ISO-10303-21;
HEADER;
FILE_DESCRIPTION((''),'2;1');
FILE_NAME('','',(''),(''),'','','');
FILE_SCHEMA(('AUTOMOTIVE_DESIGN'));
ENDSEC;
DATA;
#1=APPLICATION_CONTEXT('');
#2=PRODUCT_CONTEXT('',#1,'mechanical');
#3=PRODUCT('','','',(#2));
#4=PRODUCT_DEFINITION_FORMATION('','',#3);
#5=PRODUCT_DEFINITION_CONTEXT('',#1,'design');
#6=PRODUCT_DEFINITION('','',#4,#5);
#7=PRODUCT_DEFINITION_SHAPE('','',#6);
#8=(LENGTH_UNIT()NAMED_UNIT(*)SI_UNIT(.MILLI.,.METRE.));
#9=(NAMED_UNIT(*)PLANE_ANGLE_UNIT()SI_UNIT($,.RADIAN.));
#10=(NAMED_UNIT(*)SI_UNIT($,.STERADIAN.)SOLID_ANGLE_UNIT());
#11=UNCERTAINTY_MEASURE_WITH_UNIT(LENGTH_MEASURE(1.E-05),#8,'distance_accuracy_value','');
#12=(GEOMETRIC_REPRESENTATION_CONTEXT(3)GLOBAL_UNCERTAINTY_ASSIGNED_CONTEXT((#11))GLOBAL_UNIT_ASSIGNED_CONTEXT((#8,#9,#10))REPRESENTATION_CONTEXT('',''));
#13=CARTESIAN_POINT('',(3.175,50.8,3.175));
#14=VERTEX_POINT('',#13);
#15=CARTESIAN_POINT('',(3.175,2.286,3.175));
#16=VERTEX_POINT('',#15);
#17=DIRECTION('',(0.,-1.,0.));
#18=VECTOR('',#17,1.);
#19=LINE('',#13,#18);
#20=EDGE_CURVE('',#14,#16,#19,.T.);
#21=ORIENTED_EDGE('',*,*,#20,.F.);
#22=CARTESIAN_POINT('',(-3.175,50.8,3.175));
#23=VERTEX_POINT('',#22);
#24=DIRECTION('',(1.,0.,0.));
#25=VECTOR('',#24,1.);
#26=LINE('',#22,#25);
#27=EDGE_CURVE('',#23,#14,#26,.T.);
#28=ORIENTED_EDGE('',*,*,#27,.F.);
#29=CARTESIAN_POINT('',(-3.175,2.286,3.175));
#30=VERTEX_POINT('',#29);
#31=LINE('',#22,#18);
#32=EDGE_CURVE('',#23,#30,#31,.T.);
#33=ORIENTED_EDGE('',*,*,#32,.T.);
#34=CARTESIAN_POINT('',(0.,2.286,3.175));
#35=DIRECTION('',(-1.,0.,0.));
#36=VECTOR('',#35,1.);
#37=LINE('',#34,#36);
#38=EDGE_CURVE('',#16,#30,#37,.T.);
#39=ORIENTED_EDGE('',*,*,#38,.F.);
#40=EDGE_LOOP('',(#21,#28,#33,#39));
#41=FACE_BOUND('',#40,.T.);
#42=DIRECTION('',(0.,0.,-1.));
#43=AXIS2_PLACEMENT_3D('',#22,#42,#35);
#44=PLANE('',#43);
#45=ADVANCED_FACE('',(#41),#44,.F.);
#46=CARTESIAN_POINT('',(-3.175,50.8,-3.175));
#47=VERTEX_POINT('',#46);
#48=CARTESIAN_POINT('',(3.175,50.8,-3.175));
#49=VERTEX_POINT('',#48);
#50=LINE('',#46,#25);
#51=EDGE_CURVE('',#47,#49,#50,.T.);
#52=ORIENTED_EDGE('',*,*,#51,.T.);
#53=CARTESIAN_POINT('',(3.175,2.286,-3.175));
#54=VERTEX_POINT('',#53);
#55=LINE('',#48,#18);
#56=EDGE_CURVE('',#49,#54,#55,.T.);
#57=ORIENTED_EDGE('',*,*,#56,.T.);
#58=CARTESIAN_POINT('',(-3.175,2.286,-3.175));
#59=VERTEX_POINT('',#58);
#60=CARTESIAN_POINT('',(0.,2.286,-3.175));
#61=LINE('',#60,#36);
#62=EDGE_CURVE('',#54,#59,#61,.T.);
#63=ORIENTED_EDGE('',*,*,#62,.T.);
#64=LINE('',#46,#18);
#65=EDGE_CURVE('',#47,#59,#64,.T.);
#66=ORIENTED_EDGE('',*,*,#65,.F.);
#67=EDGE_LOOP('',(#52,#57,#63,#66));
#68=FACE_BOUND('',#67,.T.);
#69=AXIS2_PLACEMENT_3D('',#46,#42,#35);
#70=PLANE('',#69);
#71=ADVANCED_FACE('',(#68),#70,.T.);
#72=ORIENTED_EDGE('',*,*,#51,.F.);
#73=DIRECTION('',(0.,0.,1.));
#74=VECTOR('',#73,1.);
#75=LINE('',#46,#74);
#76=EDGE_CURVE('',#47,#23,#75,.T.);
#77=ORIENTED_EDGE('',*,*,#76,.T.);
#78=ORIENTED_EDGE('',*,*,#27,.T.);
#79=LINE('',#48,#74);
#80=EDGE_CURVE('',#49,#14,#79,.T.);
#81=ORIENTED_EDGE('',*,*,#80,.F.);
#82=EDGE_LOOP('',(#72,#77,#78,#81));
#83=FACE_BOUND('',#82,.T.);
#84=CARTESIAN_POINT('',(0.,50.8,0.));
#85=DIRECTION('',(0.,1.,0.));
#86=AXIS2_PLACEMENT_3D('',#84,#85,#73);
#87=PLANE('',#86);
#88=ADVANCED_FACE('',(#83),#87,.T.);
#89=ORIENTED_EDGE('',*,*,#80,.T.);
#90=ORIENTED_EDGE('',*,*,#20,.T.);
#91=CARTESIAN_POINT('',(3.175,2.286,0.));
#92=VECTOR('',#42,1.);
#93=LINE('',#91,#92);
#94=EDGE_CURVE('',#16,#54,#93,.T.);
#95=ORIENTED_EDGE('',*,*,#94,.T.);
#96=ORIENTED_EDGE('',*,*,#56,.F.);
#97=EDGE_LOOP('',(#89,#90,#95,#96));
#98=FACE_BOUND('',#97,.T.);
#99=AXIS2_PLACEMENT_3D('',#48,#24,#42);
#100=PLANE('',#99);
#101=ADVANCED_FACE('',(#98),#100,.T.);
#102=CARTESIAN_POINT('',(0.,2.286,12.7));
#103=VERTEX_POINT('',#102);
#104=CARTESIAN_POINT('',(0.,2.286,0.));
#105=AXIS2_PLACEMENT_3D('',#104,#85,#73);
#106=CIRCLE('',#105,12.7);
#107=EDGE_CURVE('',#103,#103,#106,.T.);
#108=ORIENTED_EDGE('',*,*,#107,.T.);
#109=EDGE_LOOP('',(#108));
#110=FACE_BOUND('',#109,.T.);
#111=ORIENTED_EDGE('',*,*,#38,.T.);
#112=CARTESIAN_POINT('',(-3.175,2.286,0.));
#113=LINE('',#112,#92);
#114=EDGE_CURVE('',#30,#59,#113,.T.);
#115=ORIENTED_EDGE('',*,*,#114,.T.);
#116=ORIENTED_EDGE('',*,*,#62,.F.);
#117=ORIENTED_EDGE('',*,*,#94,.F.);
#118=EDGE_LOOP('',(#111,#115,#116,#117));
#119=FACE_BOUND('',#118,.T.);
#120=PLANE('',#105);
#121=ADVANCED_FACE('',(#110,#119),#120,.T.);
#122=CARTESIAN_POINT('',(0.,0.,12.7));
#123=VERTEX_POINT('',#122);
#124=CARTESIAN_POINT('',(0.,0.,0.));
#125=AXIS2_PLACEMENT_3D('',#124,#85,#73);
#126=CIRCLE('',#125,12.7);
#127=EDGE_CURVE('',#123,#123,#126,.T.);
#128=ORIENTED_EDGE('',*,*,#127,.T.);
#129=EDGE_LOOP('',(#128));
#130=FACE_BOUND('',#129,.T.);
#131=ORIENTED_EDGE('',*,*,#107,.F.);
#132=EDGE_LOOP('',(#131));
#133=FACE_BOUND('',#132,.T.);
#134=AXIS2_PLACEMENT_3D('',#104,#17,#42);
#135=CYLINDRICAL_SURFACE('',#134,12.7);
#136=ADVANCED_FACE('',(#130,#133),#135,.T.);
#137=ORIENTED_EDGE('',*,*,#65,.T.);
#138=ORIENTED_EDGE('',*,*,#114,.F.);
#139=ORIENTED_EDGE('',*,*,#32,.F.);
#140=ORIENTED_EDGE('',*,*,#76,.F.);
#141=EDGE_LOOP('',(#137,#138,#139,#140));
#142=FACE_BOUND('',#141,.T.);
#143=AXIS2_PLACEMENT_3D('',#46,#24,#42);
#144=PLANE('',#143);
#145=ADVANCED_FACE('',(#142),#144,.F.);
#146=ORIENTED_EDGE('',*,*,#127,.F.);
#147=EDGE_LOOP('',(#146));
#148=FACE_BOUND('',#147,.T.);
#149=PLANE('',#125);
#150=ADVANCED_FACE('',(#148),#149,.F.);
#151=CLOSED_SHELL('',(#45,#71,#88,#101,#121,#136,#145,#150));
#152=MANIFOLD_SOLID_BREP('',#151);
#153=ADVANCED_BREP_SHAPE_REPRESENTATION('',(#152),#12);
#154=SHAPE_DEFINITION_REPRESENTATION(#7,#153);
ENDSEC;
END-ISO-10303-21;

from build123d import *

# Parameters (mm, degrees)
SKETCH3_R           = 12.7
BOSS_EXTRUDE4_DEPTH = 2.286
SKETCH7_W           = 6.35
SKETCH7_H           = 6.35
BOSS_EXTRUDE5_DEPTH = 50.8


with BuildPart() as part:
    # Sketch3 → Boss-Extrude4 (new body)
    with BuildSketch(Plane(origin=(0, 0, 0), x_dir=(1, 0, 0), z_dir=(0, 1, 0))):
        with Locations(Location((0, 0, 0), (0, 0, 270))):
            Circle(SKETCH3_R)
    extrude(amount=BOSS_EXTRUDE4_DEPTH)

    # Sketch7 → Boss-Extrude5 (add)
    with BuildSketch(Plane(origin=(0, 0, 0), x_dir=(1, 0, 0), z_dir=(0, 1, 0))):
        Rectangle(SKETCH7_W, SKETCH7_H)
    extrude(amount=BOSS_EXTRUDE5_DEPTH)


solid = part.part
